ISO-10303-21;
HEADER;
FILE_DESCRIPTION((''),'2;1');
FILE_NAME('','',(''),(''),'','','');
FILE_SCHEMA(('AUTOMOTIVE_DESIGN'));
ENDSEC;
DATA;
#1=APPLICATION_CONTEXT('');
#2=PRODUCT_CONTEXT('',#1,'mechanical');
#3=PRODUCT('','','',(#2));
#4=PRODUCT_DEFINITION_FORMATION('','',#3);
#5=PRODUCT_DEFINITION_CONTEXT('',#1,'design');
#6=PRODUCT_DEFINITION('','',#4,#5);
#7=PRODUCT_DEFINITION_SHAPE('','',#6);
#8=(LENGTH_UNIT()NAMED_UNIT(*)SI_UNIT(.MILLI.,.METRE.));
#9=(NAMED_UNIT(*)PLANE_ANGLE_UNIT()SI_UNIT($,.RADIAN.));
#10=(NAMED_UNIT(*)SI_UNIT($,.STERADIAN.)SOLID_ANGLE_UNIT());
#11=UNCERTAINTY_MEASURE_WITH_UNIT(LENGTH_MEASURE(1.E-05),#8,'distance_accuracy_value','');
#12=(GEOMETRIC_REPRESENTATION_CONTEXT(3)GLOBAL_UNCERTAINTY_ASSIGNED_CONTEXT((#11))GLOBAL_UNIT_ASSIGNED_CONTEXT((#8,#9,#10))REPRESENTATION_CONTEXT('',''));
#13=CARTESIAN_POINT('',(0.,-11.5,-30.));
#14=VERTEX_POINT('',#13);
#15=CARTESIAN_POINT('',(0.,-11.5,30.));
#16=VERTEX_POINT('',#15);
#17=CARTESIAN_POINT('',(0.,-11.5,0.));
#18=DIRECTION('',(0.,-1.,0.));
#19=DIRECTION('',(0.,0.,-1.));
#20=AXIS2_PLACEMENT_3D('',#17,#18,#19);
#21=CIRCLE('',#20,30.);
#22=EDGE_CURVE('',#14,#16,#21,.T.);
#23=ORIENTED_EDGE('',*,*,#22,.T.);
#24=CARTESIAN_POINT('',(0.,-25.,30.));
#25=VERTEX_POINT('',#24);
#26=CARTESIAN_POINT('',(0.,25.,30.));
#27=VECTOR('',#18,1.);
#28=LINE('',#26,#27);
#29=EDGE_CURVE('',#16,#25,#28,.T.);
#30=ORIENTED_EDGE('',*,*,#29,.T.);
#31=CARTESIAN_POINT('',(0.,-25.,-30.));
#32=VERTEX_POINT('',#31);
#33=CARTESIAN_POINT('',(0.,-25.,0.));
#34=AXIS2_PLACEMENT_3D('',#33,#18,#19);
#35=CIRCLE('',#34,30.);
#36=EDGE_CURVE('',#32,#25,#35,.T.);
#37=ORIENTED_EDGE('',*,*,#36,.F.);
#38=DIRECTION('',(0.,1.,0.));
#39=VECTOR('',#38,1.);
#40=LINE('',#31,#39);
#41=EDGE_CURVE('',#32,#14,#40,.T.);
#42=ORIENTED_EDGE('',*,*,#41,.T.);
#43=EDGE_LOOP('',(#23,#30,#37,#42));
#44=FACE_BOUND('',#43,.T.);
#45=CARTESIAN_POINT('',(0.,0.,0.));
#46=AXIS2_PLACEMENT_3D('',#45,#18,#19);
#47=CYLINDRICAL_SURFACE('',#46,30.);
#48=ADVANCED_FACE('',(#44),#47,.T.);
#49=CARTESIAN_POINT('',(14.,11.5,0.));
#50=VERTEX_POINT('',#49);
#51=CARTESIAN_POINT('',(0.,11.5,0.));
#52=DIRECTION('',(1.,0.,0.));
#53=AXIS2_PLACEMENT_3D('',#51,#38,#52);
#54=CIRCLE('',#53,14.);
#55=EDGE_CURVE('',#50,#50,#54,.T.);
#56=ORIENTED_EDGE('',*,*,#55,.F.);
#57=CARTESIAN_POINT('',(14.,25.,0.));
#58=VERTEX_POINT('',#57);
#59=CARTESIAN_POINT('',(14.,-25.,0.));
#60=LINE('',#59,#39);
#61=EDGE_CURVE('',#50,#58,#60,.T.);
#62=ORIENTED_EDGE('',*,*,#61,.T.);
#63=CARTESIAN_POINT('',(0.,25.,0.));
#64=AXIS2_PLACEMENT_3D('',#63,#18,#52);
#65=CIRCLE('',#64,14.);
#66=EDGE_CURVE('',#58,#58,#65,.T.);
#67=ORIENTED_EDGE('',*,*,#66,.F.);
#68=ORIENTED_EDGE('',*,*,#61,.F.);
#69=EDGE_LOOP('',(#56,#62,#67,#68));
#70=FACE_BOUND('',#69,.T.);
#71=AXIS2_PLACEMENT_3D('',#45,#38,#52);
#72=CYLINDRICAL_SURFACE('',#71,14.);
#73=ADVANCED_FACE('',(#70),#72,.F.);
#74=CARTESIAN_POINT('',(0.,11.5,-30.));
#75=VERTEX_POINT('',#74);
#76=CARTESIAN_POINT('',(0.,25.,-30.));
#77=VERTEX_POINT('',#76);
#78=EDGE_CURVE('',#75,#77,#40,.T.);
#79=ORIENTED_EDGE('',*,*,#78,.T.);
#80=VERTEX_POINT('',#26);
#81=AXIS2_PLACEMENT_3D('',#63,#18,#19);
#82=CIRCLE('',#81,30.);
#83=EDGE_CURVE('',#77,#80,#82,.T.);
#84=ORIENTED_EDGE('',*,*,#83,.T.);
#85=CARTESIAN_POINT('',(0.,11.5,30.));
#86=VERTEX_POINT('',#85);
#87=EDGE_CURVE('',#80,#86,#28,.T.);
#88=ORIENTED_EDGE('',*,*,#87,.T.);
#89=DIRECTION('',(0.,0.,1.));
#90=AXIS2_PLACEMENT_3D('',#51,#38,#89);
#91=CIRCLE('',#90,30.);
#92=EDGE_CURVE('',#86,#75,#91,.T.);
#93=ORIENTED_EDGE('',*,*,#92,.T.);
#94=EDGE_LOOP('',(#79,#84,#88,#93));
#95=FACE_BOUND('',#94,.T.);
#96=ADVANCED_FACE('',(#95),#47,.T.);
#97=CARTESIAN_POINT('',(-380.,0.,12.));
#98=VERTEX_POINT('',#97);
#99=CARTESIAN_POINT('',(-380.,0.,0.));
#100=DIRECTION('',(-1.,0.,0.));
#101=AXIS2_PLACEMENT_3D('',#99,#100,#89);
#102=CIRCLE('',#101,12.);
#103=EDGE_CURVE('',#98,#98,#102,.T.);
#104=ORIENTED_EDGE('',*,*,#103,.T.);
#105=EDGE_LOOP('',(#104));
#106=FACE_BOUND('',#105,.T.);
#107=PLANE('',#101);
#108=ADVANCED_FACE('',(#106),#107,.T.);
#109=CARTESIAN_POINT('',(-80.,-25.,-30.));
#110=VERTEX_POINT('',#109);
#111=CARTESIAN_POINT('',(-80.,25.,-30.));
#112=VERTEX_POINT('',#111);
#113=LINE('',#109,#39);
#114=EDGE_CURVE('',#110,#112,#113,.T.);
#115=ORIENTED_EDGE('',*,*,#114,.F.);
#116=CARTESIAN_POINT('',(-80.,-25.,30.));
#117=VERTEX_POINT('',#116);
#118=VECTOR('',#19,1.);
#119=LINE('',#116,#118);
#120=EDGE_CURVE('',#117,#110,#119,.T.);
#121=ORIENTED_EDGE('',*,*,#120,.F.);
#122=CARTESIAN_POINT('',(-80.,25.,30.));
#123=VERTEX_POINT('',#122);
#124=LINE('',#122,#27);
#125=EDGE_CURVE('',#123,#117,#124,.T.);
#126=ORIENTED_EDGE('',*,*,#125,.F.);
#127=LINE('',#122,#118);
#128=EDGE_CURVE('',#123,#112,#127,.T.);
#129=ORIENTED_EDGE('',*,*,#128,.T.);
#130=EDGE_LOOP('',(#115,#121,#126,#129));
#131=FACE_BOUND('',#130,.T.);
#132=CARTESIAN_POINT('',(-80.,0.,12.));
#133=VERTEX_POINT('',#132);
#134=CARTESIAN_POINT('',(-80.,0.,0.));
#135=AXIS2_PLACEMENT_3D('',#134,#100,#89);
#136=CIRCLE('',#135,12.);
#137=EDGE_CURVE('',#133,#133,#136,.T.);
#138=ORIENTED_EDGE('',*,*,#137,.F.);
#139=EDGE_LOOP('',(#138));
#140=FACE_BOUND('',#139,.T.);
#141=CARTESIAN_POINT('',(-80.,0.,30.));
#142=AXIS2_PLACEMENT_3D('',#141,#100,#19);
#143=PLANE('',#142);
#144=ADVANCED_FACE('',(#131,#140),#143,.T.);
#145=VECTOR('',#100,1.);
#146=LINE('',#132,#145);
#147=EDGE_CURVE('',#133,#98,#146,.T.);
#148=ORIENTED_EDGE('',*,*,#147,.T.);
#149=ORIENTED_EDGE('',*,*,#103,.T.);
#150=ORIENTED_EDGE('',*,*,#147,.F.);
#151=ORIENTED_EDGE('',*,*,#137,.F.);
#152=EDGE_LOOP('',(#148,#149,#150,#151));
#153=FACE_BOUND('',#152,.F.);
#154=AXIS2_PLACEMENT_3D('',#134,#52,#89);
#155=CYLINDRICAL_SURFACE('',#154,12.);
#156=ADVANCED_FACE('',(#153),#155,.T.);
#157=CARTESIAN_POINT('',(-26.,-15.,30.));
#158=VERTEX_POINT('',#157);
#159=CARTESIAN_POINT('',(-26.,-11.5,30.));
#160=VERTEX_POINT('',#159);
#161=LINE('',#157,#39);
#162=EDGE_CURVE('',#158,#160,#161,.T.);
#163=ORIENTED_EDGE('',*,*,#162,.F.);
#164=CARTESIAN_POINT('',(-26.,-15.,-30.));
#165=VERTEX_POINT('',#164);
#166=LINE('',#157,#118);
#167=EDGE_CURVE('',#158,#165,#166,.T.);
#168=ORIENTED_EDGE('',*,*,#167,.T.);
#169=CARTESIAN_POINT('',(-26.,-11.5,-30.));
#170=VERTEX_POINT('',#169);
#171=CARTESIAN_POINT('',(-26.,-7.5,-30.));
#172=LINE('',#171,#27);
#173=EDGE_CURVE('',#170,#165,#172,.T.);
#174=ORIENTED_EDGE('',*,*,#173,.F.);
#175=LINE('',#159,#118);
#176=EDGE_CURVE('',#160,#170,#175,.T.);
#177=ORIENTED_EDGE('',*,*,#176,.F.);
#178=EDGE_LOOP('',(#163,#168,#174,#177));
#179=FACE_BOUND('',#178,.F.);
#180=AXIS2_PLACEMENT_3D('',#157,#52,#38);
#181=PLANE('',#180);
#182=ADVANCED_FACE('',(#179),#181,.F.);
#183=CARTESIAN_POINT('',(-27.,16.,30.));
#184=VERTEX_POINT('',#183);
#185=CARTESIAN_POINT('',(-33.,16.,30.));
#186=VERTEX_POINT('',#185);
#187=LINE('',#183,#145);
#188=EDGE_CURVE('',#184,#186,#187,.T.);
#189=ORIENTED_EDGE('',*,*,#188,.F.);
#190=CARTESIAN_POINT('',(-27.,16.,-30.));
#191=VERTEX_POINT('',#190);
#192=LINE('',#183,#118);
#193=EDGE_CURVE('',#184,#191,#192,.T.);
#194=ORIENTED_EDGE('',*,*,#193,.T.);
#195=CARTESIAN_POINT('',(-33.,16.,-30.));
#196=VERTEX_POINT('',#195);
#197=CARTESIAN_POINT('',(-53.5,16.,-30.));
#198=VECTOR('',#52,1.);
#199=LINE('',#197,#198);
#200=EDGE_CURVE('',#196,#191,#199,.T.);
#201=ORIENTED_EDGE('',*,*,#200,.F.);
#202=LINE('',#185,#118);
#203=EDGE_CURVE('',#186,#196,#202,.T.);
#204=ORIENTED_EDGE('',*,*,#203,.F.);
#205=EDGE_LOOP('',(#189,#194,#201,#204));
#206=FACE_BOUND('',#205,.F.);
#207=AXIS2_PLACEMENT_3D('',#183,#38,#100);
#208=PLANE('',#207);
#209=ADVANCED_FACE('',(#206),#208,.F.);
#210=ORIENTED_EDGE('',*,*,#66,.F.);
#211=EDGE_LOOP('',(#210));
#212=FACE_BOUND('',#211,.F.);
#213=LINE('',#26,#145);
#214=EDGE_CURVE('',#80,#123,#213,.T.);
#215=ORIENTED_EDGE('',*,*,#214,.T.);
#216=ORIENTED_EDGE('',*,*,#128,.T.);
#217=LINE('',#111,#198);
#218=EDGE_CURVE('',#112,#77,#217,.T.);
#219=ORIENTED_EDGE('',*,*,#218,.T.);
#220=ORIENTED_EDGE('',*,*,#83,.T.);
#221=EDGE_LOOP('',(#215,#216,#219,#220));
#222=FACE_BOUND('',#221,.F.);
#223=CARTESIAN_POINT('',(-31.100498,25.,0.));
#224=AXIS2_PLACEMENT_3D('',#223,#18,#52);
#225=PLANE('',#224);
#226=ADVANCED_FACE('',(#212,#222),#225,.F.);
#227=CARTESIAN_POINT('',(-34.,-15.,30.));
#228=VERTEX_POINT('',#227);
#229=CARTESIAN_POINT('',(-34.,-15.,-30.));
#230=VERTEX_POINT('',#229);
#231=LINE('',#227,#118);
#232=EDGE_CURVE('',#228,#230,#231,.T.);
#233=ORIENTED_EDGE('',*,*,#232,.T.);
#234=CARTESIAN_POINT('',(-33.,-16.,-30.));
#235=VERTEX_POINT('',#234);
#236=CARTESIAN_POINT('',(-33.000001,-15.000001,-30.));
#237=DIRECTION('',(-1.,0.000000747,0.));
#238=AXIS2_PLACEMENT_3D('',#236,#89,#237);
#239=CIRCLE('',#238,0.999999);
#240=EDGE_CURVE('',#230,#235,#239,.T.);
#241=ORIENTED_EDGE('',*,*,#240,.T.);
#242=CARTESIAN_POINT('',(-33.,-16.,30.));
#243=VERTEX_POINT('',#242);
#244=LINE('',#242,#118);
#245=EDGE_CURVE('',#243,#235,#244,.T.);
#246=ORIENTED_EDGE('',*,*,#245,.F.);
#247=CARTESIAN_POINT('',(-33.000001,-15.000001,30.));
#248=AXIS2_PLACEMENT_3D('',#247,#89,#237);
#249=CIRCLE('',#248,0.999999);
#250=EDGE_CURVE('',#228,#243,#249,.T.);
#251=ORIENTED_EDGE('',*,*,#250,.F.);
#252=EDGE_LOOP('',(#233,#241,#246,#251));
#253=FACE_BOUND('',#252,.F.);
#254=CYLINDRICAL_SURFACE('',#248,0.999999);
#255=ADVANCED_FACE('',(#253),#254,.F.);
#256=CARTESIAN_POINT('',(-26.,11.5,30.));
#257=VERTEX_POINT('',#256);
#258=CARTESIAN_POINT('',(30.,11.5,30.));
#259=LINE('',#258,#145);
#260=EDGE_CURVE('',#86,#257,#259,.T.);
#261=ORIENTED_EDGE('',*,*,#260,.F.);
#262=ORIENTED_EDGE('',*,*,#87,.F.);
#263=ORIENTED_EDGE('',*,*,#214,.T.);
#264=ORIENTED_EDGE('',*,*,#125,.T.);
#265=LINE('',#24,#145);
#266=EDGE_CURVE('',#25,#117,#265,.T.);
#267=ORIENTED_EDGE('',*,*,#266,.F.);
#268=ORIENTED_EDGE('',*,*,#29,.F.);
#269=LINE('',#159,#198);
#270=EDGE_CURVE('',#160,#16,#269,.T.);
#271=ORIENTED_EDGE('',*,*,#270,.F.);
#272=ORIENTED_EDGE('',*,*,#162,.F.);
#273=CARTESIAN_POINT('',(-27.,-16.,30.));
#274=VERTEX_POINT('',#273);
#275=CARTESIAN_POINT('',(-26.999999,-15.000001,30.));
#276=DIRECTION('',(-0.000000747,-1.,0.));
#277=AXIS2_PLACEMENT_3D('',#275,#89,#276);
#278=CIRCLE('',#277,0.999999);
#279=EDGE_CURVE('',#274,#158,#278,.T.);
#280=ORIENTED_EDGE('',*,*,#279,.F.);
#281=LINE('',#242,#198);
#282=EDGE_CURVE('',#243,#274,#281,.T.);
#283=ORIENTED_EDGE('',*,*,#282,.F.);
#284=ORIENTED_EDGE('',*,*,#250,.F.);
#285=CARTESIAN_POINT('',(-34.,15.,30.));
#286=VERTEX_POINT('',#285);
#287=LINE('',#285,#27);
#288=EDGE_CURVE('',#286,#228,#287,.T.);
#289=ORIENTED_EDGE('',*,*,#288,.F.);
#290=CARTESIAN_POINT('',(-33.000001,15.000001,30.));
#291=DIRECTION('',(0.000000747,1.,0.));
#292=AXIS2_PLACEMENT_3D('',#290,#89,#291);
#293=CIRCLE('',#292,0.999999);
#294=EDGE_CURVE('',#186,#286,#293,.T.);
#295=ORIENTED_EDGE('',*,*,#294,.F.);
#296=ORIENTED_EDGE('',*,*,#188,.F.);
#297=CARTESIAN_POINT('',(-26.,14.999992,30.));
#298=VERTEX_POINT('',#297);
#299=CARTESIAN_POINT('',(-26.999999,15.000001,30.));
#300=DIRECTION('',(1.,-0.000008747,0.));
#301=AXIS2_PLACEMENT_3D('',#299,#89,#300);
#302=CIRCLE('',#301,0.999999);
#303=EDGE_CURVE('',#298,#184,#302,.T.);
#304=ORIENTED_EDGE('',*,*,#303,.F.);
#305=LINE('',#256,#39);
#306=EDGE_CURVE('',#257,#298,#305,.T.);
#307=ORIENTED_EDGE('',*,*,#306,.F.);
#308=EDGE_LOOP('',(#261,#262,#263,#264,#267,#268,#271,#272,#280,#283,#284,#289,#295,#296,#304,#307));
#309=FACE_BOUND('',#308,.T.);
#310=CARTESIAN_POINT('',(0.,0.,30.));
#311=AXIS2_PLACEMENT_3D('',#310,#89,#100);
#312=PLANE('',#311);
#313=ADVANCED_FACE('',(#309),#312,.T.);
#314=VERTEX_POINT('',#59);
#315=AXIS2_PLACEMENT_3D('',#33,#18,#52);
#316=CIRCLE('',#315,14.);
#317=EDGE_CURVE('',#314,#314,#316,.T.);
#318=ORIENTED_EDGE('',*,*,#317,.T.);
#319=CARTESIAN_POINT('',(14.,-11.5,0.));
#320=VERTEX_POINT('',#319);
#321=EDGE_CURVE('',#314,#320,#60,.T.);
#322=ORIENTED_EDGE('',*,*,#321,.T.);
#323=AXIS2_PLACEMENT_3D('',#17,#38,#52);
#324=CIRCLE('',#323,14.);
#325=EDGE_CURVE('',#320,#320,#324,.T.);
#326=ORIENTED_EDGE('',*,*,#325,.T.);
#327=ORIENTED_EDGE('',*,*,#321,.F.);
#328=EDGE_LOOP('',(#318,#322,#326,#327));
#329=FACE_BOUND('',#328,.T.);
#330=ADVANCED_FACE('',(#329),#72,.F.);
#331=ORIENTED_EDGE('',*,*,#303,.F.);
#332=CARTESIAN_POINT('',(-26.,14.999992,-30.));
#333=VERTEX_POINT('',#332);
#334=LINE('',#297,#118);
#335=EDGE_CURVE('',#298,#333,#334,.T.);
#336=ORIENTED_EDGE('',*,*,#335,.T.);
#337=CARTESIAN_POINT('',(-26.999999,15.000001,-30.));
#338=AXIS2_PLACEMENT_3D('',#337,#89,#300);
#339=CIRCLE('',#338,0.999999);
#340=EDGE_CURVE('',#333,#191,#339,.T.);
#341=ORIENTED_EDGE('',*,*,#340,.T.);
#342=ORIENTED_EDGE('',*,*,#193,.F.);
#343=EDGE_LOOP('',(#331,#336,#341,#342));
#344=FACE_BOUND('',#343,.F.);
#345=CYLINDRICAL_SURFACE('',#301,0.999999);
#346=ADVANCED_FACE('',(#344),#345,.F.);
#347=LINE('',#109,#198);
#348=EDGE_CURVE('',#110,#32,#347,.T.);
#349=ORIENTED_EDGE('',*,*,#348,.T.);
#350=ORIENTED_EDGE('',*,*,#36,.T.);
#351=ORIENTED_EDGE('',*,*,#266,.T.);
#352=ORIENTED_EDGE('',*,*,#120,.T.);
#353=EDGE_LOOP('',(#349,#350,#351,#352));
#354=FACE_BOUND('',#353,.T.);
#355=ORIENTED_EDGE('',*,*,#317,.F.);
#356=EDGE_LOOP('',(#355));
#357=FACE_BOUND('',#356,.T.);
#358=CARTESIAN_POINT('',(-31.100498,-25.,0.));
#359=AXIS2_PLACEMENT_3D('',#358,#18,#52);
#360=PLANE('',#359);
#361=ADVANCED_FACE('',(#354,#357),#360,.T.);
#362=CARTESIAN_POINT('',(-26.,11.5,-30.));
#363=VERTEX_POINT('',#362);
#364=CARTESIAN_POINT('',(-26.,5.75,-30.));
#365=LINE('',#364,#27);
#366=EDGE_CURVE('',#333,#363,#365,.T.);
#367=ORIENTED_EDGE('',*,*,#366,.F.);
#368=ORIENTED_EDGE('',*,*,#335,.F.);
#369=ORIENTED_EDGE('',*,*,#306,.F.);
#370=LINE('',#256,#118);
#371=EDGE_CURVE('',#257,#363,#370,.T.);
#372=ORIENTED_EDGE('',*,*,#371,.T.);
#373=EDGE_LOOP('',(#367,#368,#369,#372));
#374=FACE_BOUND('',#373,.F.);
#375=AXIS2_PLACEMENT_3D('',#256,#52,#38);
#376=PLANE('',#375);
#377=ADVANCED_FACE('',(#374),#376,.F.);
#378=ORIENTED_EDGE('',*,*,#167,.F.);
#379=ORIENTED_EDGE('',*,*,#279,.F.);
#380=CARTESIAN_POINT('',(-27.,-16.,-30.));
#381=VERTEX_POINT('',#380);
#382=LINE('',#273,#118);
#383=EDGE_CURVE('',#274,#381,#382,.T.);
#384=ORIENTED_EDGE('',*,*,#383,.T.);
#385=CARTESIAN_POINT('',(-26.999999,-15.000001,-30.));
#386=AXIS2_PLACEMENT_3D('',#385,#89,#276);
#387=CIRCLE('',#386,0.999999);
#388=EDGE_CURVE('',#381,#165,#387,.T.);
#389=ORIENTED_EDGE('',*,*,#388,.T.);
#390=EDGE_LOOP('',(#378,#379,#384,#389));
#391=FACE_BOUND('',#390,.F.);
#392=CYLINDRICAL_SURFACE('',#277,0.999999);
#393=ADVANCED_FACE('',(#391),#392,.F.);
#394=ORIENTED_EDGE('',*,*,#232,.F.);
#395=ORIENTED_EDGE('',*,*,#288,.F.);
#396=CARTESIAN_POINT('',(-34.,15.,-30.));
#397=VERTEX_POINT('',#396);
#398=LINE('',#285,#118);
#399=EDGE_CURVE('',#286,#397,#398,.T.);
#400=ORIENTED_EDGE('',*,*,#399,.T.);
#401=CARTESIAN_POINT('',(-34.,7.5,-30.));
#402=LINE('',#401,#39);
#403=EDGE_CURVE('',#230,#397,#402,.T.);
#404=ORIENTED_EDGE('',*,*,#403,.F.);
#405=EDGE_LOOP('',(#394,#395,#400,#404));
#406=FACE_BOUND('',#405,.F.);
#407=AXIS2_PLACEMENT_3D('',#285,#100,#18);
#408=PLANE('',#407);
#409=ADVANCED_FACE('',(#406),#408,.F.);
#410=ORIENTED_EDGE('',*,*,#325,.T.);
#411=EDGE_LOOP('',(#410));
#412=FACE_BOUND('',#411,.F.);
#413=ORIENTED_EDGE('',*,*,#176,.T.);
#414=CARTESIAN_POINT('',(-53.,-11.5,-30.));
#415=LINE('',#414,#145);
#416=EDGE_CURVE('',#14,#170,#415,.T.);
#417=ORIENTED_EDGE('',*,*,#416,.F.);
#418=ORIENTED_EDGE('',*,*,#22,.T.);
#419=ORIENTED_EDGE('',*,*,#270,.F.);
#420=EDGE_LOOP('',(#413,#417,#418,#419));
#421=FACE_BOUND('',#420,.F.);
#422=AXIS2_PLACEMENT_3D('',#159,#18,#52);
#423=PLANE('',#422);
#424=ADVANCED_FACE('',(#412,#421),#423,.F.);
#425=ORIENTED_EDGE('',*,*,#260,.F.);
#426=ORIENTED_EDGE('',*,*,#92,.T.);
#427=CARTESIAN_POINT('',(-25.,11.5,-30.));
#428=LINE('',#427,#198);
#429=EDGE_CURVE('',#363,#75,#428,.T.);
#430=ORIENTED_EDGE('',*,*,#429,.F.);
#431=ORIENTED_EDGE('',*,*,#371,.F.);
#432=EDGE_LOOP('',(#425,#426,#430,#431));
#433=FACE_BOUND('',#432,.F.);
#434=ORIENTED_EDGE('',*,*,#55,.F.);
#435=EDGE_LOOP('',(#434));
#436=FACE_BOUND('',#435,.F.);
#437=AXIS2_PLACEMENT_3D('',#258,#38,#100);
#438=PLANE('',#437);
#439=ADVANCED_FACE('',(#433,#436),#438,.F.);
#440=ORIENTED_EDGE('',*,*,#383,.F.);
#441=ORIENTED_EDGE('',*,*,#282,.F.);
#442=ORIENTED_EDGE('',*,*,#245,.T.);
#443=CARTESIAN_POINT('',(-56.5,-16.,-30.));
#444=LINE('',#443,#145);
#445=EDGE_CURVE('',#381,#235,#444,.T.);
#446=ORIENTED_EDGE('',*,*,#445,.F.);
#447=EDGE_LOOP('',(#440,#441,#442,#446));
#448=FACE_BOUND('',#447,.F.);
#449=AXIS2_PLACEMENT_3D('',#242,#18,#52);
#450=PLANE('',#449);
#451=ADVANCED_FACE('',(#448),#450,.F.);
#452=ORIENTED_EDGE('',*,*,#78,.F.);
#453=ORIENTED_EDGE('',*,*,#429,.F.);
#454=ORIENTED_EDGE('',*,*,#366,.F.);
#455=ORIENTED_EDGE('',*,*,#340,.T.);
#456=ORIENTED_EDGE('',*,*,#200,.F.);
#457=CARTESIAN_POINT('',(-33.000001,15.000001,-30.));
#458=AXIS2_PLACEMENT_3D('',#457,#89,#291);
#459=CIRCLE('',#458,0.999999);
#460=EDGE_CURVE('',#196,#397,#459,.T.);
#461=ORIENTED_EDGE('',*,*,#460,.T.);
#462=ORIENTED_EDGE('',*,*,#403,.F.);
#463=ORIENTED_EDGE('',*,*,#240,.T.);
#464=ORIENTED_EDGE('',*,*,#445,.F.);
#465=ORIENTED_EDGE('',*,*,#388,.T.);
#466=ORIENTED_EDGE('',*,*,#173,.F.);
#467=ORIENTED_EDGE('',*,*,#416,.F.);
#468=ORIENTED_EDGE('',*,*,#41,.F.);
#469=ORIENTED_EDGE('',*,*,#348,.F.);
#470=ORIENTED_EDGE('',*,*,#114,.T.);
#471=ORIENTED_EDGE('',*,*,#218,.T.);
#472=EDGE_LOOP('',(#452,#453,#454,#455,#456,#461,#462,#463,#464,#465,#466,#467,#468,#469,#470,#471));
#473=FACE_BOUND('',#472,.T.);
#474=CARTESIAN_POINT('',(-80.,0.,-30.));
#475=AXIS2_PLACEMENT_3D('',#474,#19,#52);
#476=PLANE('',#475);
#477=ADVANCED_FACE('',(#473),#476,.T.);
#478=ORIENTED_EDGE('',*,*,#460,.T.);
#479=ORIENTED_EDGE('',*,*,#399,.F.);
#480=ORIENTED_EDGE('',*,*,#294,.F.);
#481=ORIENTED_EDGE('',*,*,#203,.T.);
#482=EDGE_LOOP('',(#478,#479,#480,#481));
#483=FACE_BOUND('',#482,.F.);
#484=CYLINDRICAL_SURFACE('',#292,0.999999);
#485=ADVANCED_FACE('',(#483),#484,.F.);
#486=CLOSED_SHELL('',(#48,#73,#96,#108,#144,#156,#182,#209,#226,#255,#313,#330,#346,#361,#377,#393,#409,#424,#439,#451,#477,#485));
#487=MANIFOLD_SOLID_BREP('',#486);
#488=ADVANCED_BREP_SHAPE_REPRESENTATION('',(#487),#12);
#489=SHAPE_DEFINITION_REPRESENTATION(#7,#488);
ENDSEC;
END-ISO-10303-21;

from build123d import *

# Parameters (mm, degrees)
CYLINDER_R       = 12
CYLINDER_DEPTH   = 300
EXTRUDE003_DEPTH = 80
SKETCH009_R      = 14
EXTRUDE002_DEPTH = 25


with BuildPart() as cylinder:
    # Cylinder → Cylinder (new body)
    with BuildSketch(Plane.ZY.offset(80)):
        Circle(CYLINDER_R)
    extrude(amount=CYLINDER_DEPTH)


with BuildPart() as extrude003:
    # Sketch010 (on Face2 of Extrude002) → Extrude003 (new body)
    with BuildSketch(Plane.XY.offset(30)):
        with BuildLine():
            Line((30, 11.5), (-26, 11.5))
            Line((-26, 11.5), (-26, 14.999992))
            ThreePointArc((-26, 14.999992), (-26.29289, 15.707104), (-27, 16))
            Line((-27, 16), (-33, 16))
            ThreePointArc((-33, 16), (-33.707107, 15.707107), (-34, 15))
            Line((-34, 15), (-34, -15))
            ThreePointArc((-34, -15), (-33.707107, -15.707107), (-33, -16))
            Line((-33, -16), (-27, -16))
            ThreePointArc((-27, -16), (-26.292893, -15.707107), (-26, -15))
            Line((-26, -15), (-26, -11.5))
            Line((-26, -11.5), (30, -11.5))
            Line((30, -11.5), (30, 11.5))
        make_face()
    extrude(amount=-EXTRUDE003_DEPTH)


with BuildPart() as forkendr:
    # Sketch009 → Extrude002 (new body, symmetric)
    with BuildSketch(Plane.XZ):
        with BuildLine():
            ThreePointArc((0, -30), (30, 0), (0, 30))
            Line((0, 30), (-80, 30))
            Line((-80, 30), (-80, -30))
            Line((-80, -30), (0, -30))
        make_face()
        Circle(SKETCH009_R, mode=Mode.SUBTRACT)
    extrude(amount=EXTRUDE002_DEPTH, both=True)

    # Cut003: cut Extrude003
    add(extrude003.part, mode=Mode.SUBTRACT)

    # Fusion: union Cylinder
    add(cylinder.part)


solid = forkendr.part
